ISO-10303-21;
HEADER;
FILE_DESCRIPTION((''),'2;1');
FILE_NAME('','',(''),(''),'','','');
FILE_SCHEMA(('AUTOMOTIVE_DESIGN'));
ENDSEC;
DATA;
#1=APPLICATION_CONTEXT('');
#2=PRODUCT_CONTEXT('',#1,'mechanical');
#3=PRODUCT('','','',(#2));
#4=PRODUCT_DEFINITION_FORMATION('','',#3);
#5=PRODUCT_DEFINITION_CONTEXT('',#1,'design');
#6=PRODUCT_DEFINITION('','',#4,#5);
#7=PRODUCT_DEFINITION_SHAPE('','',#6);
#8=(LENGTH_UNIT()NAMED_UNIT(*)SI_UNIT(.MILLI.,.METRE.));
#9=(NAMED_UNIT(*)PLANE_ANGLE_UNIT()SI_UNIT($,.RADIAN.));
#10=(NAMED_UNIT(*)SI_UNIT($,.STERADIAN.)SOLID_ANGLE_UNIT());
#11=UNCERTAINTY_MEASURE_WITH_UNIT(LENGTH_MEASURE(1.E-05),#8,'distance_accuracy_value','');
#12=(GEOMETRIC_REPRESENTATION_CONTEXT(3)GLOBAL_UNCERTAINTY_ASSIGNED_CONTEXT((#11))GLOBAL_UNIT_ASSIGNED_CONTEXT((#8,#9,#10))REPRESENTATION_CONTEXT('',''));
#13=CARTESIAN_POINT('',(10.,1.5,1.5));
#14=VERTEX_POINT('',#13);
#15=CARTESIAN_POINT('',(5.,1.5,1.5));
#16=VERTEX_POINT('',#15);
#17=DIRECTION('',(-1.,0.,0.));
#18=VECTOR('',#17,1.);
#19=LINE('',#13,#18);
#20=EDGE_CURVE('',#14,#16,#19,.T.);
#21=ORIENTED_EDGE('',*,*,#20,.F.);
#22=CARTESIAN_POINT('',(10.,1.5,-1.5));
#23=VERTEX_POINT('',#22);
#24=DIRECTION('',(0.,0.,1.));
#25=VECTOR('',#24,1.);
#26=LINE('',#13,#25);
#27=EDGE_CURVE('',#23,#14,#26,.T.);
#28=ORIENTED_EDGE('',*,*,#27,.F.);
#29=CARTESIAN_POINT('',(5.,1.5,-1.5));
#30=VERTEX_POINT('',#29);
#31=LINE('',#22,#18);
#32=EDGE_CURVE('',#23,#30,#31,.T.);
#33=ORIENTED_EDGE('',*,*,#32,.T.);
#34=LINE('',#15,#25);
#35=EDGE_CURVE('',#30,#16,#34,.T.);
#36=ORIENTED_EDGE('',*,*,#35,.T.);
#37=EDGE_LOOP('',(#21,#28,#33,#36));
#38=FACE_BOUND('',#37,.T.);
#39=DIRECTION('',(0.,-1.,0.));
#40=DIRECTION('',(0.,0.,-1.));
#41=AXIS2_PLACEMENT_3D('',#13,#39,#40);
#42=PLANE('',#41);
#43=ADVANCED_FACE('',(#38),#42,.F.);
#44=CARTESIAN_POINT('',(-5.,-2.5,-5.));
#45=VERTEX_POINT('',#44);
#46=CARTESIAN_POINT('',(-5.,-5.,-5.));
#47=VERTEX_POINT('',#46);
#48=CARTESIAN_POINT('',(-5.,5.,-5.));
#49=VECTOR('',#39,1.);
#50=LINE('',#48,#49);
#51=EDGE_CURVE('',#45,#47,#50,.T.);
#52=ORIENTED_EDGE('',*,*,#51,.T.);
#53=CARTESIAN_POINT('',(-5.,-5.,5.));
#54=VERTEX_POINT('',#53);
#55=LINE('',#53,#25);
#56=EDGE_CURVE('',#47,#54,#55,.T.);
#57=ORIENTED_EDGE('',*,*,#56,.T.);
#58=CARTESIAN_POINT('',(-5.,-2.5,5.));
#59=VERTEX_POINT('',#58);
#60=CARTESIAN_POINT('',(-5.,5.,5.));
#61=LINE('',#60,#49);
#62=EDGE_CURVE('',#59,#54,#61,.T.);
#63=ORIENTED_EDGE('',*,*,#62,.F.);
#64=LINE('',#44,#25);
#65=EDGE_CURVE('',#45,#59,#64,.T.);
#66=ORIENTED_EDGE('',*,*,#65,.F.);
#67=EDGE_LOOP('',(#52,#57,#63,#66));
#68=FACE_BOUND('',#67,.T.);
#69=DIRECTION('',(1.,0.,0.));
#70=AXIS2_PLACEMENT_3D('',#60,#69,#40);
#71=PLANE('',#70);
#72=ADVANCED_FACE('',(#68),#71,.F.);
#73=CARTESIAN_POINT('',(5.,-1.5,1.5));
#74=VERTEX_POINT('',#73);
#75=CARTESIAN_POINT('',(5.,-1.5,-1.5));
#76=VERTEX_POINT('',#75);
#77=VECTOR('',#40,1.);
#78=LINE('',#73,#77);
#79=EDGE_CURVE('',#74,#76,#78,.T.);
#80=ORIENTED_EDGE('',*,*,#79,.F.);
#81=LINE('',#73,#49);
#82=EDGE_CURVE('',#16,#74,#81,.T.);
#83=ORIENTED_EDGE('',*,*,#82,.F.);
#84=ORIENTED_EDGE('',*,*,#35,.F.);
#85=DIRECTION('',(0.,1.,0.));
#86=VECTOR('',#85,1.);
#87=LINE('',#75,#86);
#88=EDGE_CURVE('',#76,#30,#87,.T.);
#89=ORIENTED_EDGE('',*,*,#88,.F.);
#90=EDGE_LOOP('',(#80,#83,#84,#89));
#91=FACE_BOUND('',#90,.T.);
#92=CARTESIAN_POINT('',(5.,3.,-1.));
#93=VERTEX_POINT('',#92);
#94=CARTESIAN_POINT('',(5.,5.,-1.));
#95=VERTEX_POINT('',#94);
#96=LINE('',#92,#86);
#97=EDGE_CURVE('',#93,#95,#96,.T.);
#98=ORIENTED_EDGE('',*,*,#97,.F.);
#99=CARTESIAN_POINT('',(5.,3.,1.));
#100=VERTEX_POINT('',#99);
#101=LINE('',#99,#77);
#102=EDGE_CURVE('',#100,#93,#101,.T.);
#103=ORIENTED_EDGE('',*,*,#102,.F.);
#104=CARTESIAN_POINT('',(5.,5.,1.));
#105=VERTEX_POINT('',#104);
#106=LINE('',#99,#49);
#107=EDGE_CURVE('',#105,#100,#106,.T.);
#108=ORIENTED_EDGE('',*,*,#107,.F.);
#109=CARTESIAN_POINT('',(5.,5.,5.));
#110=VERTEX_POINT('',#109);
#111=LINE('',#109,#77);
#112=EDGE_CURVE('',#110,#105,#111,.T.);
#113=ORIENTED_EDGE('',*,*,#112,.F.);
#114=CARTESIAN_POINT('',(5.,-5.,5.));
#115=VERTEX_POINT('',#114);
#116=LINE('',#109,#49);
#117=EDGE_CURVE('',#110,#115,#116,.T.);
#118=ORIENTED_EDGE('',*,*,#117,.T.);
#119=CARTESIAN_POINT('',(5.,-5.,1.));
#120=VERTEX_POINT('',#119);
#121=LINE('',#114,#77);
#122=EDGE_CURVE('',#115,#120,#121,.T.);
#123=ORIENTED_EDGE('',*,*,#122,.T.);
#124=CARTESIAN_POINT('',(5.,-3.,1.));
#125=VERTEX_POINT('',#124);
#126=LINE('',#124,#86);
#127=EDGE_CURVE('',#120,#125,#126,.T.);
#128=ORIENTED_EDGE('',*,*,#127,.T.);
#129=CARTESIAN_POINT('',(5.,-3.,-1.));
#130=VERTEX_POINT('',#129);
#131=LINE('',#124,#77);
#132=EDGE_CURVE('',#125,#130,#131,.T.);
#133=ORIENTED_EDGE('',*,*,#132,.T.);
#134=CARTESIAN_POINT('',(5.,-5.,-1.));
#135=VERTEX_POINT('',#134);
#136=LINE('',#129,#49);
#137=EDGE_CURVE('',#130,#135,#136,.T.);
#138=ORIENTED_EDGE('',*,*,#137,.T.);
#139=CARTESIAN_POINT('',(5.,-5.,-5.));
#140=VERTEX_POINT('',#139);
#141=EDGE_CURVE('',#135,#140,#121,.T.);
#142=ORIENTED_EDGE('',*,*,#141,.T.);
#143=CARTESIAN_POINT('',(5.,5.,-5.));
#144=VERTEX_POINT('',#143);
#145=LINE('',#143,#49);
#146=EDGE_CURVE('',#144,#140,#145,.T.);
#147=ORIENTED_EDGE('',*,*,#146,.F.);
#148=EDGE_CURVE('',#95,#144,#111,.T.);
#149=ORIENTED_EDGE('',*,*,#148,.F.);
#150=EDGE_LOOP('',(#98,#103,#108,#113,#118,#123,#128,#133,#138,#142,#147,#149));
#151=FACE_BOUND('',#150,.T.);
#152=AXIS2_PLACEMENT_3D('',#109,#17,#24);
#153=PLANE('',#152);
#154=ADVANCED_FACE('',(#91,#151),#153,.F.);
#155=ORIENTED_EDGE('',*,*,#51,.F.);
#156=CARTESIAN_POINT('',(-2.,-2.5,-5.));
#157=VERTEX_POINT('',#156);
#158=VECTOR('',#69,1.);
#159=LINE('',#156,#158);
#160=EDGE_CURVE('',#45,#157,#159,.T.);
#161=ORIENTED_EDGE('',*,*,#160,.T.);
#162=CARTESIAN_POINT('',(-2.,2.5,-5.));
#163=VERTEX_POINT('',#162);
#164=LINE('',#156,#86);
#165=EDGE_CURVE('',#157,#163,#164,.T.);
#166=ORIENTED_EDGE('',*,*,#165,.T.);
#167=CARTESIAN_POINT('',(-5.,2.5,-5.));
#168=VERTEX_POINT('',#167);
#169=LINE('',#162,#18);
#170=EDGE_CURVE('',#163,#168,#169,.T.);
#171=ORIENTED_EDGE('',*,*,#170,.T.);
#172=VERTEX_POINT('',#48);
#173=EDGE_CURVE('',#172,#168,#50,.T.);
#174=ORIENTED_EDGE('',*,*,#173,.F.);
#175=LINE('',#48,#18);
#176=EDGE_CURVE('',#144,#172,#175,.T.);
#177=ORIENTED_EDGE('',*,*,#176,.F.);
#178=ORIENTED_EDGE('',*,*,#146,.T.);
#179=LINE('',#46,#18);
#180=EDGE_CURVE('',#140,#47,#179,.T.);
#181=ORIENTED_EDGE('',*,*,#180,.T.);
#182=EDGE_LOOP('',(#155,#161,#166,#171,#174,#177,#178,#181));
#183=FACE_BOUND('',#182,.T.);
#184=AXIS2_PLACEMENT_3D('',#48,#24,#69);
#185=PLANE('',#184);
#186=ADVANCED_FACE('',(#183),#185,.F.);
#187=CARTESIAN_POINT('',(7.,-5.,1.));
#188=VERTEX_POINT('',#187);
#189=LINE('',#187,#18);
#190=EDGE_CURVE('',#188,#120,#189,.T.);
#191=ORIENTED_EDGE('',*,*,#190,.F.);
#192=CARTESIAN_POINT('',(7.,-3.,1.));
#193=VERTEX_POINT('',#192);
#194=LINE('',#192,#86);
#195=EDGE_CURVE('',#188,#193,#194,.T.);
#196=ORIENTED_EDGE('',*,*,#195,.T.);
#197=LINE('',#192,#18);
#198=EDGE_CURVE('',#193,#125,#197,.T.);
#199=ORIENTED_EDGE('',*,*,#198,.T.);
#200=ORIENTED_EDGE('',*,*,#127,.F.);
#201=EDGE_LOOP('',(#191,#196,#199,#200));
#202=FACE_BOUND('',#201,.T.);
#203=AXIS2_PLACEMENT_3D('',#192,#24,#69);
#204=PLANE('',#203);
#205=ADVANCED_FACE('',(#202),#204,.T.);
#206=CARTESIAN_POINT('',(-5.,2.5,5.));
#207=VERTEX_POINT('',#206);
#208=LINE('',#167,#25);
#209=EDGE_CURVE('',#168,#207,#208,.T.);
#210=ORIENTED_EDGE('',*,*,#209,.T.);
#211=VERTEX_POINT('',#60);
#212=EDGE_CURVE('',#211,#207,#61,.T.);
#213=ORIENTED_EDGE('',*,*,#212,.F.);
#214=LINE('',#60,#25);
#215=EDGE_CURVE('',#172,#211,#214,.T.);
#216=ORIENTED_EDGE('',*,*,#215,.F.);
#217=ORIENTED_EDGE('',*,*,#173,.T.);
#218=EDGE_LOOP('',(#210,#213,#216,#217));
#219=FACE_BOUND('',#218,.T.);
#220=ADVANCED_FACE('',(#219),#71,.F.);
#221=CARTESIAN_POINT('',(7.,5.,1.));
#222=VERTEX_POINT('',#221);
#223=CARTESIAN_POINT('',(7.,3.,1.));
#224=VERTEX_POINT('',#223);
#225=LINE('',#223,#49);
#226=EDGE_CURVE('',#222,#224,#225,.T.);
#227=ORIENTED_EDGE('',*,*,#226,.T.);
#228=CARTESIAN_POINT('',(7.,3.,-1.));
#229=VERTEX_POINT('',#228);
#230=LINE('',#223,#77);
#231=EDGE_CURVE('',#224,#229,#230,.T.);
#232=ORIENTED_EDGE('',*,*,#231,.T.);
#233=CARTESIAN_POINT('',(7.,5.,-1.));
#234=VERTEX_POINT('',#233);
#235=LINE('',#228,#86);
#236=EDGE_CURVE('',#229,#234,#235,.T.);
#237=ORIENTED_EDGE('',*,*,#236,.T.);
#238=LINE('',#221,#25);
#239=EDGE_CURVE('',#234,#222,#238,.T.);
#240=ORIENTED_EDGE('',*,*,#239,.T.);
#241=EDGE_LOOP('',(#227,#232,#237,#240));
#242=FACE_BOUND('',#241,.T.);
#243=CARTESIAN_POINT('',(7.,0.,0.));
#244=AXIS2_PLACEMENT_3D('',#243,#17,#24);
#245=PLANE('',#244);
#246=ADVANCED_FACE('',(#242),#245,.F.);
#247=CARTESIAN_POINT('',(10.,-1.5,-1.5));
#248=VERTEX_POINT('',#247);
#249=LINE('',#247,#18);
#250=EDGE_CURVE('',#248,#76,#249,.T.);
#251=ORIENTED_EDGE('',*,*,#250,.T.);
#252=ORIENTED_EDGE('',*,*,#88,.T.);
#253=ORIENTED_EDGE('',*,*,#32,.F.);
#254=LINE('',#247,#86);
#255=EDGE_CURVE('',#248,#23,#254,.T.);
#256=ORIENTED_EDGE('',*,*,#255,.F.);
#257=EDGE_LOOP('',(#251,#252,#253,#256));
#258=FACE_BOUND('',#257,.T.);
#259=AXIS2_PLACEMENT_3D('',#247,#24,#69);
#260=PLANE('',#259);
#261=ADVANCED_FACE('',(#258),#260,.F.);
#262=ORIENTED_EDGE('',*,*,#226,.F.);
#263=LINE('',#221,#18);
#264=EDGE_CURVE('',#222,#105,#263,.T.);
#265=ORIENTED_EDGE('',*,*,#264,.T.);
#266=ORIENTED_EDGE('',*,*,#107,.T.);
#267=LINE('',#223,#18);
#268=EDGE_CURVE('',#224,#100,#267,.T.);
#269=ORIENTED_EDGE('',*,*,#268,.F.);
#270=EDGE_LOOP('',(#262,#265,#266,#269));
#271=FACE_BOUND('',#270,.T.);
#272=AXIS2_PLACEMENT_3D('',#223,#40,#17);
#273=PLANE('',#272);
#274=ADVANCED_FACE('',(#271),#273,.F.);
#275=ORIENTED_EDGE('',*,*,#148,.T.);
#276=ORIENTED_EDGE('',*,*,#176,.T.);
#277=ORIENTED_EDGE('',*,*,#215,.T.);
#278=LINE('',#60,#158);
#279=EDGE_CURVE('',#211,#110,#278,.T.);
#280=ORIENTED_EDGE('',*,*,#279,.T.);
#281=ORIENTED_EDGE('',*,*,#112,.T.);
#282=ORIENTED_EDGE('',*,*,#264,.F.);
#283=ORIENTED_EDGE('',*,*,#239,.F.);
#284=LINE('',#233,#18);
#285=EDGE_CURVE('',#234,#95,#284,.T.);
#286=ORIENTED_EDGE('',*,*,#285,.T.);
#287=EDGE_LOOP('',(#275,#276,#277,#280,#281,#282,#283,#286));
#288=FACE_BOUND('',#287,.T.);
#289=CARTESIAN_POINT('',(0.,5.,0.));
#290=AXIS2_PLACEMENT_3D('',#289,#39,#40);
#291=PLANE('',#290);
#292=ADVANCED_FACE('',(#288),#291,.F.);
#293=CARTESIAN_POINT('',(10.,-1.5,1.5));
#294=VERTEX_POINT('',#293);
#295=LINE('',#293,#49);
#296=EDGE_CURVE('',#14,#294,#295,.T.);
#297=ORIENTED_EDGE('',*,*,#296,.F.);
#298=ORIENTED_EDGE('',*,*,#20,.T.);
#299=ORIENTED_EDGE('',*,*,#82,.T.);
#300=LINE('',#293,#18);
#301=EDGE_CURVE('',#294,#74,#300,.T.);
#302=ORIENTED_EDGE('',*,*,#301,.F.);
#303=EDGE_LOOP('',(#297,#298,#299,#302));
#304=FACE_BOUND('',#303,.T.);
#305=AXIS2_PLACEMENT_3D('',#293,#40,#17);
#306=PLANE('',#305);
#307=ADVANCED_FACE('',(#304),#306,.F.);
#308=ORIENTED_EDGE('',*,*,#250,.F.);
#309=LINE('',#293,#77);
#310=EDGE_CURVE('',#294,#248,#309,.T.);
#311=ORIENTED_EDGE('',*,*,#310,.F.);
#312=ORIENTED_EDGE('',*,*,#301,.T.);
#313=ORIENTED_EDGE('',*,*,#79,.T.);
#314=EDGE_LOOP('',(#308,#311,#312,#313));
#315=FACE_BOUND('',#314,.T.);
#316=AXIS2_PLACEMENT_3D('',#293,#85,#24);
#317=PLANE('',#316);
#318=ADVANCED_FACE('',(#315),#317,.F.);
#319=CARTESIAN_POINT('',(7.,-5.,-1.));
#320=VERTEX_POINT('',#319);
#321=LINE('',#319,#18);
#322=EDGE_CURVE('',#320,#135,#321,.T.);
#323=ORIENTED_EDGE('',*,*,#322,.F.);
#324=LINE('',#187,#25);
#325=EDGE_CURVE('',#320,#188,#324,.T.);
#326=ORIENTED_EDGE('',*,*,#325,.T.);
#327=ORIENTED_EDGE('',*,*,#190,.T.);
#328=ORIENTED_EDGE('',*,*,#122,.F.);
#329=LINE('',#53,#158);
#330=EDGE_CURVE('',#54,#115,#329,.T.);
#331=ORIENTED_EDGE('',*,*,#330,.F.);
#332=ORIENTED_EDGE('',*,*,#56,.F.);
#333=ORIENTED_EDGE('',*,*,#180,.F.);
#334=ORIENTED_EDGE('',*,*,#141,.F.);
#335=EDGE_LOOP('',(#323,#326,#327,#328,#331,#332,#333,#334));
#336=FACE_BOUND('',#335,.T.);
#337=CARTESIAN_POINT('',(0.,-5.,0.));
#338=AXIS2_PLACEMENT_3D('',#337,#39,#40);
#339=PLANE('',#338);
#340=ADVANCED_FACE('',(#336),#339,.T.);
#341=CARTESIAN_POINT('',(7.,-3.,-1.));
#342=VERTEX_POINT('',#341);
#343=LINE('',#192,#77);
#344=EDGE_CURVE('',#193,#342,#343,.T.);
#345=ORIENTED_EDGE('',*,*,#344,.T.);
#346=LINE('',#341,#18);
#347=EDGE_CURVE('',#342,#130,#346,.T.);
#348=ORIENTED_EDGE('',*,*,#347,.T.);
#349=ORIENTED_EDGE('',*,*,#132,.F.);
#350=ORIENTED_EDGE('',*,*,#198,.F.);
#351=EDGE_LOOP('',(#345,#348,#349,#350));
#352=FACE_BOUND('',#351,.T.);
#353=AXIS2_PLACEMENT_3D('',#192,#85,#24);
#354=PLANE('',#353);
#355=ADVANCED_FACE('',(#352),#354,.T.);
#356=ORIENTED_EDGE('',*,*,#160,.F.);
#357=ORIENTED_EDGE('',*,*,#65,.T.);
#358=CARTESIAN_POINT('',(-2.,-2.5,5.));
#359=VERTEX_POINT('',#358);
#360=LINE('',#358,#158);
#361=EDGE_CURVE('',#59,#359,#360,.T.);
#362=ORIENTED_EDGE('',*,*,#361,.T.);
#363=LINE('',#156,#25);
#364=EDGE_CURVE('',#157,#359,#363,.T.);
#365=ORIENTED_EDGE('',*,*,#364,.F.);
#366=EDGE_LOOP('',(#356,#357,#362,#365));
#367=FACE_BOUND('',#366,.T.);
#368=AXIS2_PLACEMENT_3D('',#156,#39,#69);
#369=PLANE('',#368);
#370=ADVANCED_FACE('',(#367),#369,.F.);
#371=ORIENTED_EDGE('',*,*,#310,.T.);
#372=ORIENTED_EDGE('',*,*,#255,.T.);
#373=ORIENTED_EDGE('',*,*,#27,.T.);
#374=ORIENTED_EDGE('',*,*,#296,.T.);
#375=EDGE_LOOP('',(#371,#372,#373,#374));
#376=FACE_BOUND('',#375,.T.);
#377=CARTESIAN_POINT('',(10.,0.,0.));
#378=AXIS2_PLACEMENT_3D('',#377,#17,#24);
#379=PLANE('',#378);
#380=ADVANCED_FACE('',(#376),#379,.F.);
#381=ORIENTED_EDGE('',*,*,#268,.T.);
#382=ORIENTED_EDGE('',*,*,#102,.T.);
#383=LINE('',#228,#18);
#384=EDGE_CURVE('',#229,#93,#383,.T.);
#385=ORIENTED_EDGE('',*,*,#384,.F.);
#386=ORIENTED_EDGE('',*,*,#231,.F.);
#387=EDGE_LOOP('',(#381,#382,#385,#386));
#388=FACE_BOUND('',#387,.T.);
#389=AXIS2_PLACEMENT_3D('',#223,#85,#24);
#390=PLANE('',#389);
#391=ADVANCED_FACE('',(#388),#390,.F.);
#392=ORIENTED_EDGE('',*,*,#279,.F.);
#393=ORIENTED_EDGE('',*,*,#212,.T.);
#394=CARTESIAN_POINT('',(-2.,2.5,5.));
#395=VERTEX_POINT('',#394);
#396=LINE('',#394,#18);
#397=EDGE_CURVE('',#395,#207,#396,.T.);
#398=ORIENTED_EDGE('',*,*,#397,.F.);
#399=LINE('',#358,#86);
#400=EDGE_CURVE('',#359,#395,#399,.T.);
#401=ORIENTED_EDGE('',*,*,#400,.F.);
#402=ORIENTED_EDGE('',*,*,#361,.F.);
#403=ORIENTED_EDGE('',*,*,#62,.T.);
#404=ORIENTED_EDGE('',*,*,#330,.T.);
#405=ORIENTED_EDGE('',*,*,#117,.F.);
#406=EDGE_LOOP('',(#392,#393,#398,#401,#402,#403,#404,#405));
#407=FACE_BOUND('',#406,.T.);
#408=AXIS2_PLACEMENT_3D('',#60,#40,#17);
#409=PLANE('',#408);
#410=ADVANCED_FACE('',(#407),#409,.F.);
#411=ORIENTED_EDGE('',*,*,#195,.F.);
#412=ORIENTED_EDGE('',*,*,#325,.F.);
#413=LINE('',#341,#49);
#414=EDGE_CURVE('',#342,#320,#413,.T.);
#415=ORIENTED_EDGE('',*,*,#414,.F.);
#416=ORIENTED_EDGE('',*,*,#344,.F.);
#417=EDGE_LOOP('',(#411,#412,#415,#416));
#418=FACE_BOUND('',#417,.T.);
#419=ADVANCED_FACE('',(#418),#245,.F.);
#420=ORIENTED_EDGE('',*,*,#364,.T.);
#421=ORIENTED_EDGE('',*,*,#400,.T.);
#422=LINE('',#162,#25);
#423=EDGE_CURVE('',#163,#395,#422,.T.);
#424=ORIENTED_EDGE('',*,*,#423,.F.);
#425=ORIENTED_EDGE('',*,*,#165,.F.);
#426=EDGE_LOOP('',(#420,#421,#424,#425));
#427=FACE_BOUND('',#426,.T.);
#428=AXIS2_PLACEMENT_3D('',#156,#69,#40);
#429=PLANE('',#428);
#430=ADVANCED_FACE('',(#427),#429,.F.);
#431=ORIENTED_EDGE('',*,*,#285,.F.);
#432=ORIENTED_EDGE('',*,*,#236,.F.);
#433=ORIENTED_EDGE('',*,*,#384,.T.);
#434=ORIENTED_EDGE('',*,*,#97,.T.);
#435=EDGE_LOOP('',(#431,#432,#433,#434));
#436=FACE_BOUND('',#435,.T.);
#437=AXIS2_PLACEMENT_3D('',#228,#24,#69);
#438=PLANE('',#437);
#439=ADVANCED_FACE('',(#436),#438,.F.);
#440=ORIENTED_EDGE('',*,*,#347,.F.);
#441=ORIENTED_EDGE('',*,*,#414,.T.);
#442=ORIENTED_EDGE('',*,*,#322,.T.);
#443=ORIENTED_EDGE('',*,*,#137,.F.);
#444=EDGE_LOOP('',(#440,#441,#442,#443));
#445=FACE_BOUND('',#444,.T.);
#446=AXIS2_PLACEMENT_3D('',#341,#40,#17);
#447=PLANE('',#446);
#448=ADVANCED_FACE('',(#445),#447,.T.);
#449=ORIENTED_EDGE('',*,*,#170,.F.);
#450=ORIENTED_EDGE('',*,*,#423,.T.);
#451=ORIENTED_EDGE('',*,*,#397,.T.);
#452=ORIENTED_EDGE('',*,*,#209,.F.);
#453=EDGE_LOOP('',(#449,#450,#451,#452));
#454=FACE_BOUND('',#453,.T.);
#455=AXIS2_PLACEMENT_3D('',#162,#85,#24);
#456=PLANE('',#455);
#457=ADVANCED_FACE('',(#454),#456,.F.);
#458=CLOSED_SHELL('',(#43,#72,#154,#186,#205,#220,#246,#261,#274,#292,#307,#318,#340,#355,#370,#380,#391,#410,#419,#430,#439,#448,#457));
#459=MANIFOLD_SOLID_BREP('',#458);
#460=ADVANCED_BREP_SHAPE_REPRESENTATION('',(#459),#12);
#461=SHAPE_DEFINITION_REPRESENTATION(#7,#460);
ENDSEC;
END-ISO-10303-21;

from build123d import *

# Parameters (mm, degrees)
SKETCH1_W           = 10
SKETCH1_H           = 10
BOSS_EXTRUDE1_DEPTH = 5
SKETCH2_W           = 3
SKETCH2_H           = 5
CUT_EXTRUDE1_DEPTH  = 13.247448714
SKETCH3_W           = 3
SKETCH3_H           = 3
BOSS_EXTRUDE2_DEPTH = 5
SKETCH4_W           = 2
SKETCH4_H           = 2
BOSS_EXTRUDE3_DEPTH = 2


with BuildPart() as part:
    # Sketch1 → Boss-Extrude1 (new, symmetric)
    with BuildSketch(Plane(origin=(0, 0, 0), x_dir=(1, 0, 0), z_dir=(0, 1, 0))):
        Rectangle(SKETCH1_W, SKETCH1_H)
    extrude(amount=BOSS_EXTRUDE1_DEPTH, both=True)

    # Sketch2 → Cut-Extrude1 (cut, through all)
    with BuildSketch(Plane.XY.offset(5)):
        with Locations((-3.5, 0)):
            Rectangle(SKETCH2_W, SKETCH2_H)
    extrude(amount=-CUT_EXTRUDE1_DEPTH, mode=Mode.SUBTRACT)

    # Sketch3 → Boss-Extrude2 (add)
    with BuildSketch(Plane(origin=(5, 0, 0), x_dir=(0, 0, -1), z_dir=(1, 0, 0))):
        Rectangle(SKETCH3_W, SKETCH3_H)
    extrude(amount=BOSS_EXTRUDE2_DEPTH)

    # Sketch4 → Boss-Extrude3 (add)
    with BuildSketch(Plane(origin=(5, 0, 0), x_dir=(0, 0, -1), z_dir=(1, 0, 0))):
        with Locations((0, 4)):
            Rectangle(SKETCH4_W, SKETCH4_H)
    boss_extrude3 = extrude(amount=BOSS_EXTRUDE3_DEPTH)

    # Mirror1: Boss-Extrude3 across plane
    add(boss_extrude3.mirror(Plane.ZX))


solid = part.part
